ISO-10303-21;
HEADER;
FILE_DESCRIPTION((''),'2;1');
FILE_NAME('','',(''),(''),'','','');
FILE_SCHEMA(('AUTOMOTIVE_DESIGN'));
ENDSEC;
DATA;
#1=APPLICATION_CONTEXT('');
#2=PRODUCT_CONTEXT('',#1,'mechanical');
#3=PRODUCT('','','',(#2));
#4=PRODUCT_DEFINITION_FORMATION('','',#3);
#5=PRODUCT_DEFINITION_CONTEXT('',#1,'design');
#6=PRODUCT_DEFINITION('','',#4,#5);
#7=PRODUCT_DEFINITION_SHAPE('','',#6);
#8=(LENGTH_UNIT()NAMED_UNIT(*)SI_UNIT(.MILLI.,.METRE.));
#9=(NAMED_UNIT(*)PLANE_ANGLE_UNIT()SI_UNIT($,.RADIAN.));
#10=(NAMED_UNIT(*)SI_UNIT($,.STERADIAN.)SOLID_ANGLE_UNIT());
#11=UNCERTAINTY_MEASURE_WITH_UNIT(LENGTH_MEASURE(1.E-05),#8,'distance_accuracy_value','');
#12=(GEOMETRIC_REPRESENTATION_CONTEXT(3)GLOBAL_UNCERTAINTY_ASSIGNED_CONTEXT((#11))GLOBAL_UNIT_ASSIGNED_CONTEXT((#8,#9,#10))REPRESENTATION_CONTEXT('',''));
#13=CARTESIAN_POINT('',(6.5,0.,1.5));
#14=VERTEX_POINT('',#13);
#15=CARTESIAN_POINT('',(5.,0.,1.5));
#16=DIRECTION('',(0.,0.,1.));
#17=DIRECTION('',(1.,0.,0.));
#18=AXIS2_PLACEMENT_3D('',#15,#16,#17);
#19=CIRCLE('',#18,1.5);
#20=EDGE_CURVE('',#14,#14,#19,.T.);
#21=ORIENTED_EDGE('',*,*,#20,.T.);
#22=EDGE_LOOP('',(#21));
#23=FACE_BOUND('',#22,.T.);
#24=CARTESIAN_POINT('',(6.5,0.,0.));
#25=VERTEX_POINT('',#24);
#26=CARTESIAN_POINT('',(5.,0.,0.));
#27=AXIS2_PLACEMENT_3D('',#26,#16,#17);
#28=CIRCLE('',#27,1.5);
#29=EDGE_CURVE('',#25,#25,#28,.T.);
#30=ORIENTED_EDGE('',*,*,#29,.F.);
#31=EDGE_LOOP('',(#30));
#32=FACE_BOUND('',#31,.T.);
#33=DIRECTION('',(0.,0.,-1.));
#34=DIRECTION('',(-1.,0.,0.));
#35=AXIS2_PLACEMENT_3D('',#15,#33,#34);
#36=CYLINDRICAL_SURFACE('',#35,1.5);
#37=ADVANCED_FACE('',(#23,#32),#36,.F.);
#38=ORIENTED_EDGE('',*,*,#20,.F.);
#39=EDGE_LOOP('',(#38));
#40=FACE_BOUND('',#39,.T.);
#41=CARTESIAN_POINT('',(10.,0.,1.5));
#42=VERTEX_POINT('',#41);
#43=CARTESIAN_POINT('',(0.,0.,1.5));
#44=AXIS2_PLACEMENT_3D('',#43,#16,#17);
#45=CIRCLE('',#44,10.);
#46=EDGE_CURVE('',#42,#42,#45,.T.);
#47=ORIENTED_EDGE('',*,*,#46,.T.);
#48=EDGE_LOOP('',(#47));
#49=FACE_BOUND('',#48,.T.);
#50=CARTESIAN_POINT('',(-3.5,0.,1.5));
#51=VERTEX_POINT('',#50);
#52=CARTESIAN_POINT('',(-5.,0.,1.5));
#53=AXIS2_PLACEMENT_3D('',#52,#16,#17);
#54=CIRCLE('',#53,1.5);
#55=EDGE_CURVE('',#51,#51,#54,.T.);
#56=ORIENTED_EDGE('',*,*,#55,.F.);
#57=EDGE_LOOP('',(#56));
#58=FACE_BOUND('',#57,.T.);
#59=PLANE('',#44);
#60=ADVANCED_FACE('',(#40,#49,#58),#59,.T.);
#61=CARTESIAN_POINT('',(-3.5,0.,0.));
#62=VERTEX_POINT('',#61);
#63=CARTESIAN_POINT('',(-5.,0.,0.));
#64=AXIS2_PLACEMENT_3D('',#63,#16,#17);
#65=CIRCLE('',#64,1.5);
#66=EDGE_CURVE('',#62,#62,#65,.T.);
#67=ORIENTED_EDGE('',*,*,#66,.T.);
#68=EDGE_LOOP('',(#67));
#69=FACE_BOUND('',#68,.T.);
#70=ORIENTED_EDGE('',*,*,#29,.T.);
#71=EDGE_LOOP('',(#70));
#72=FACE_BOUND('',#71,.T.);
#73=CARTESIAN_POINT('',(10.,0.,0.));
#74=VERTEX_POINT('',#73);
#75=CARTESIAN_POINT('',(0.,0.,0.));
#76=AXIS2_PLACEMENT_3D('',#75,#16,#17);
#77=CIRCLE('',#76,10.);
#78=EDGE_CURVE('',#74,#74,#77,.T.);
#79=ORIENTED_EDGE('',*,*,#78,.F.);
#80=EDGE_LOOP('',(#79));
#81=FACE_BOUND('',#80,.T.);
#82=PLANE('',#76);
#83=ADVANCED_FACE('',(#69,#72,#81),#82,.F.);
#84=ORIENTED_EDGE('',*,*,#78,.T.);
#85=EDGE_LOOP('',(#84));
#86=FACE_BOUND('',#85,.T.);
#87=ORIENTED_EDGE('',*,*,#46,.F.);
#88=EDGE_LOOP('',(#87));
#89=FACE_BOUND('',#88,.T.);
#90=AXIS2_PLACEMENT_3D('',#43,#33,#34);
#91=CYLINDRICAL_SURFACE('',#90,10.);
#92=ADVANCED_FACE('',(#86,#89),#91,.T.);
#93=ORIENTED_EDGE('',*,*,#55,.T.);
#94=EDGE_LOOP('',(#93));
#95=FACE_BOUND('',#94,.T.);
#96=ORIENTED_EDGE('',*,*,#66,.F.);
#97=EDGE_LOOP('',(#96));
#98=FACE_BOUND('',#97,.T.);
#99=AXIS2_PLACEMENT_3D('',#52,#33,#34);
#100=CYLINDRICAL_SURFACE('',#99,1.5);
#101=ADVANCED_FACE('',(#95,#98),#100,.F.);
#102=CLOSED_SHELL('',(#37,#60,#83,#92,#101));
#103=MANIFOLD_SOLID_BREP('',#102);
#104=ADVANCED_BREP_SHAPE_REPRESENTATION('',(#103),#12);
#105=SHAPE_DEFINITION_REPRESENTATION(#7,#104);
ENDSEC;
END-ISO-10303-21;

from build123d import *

# Parameters (mm, degrees)
SKETCH_1_R      = 10
SKETCH_1_R_2    = 1.5
EXTRUDE_1_DEPTH = 1.5


with BuildPart() as part:
    # Эскиз1 → Бобышка-Вытянуть1 (new body)
    with BuildSketch(Plane.XY):
        Circle(SKETCH_1_R)
        with Locations((-5, 0)):
            Circle(SKETCH_1_R_2, mode=Mode.SUBTRACT)
        with Locations((5, 0)):
            Circle(SKETCH_1_R_2, mode=Mode.SUBTRACT)
    extrude(amount=EXTRUDE_1_DEPTH)


solid = part.part
